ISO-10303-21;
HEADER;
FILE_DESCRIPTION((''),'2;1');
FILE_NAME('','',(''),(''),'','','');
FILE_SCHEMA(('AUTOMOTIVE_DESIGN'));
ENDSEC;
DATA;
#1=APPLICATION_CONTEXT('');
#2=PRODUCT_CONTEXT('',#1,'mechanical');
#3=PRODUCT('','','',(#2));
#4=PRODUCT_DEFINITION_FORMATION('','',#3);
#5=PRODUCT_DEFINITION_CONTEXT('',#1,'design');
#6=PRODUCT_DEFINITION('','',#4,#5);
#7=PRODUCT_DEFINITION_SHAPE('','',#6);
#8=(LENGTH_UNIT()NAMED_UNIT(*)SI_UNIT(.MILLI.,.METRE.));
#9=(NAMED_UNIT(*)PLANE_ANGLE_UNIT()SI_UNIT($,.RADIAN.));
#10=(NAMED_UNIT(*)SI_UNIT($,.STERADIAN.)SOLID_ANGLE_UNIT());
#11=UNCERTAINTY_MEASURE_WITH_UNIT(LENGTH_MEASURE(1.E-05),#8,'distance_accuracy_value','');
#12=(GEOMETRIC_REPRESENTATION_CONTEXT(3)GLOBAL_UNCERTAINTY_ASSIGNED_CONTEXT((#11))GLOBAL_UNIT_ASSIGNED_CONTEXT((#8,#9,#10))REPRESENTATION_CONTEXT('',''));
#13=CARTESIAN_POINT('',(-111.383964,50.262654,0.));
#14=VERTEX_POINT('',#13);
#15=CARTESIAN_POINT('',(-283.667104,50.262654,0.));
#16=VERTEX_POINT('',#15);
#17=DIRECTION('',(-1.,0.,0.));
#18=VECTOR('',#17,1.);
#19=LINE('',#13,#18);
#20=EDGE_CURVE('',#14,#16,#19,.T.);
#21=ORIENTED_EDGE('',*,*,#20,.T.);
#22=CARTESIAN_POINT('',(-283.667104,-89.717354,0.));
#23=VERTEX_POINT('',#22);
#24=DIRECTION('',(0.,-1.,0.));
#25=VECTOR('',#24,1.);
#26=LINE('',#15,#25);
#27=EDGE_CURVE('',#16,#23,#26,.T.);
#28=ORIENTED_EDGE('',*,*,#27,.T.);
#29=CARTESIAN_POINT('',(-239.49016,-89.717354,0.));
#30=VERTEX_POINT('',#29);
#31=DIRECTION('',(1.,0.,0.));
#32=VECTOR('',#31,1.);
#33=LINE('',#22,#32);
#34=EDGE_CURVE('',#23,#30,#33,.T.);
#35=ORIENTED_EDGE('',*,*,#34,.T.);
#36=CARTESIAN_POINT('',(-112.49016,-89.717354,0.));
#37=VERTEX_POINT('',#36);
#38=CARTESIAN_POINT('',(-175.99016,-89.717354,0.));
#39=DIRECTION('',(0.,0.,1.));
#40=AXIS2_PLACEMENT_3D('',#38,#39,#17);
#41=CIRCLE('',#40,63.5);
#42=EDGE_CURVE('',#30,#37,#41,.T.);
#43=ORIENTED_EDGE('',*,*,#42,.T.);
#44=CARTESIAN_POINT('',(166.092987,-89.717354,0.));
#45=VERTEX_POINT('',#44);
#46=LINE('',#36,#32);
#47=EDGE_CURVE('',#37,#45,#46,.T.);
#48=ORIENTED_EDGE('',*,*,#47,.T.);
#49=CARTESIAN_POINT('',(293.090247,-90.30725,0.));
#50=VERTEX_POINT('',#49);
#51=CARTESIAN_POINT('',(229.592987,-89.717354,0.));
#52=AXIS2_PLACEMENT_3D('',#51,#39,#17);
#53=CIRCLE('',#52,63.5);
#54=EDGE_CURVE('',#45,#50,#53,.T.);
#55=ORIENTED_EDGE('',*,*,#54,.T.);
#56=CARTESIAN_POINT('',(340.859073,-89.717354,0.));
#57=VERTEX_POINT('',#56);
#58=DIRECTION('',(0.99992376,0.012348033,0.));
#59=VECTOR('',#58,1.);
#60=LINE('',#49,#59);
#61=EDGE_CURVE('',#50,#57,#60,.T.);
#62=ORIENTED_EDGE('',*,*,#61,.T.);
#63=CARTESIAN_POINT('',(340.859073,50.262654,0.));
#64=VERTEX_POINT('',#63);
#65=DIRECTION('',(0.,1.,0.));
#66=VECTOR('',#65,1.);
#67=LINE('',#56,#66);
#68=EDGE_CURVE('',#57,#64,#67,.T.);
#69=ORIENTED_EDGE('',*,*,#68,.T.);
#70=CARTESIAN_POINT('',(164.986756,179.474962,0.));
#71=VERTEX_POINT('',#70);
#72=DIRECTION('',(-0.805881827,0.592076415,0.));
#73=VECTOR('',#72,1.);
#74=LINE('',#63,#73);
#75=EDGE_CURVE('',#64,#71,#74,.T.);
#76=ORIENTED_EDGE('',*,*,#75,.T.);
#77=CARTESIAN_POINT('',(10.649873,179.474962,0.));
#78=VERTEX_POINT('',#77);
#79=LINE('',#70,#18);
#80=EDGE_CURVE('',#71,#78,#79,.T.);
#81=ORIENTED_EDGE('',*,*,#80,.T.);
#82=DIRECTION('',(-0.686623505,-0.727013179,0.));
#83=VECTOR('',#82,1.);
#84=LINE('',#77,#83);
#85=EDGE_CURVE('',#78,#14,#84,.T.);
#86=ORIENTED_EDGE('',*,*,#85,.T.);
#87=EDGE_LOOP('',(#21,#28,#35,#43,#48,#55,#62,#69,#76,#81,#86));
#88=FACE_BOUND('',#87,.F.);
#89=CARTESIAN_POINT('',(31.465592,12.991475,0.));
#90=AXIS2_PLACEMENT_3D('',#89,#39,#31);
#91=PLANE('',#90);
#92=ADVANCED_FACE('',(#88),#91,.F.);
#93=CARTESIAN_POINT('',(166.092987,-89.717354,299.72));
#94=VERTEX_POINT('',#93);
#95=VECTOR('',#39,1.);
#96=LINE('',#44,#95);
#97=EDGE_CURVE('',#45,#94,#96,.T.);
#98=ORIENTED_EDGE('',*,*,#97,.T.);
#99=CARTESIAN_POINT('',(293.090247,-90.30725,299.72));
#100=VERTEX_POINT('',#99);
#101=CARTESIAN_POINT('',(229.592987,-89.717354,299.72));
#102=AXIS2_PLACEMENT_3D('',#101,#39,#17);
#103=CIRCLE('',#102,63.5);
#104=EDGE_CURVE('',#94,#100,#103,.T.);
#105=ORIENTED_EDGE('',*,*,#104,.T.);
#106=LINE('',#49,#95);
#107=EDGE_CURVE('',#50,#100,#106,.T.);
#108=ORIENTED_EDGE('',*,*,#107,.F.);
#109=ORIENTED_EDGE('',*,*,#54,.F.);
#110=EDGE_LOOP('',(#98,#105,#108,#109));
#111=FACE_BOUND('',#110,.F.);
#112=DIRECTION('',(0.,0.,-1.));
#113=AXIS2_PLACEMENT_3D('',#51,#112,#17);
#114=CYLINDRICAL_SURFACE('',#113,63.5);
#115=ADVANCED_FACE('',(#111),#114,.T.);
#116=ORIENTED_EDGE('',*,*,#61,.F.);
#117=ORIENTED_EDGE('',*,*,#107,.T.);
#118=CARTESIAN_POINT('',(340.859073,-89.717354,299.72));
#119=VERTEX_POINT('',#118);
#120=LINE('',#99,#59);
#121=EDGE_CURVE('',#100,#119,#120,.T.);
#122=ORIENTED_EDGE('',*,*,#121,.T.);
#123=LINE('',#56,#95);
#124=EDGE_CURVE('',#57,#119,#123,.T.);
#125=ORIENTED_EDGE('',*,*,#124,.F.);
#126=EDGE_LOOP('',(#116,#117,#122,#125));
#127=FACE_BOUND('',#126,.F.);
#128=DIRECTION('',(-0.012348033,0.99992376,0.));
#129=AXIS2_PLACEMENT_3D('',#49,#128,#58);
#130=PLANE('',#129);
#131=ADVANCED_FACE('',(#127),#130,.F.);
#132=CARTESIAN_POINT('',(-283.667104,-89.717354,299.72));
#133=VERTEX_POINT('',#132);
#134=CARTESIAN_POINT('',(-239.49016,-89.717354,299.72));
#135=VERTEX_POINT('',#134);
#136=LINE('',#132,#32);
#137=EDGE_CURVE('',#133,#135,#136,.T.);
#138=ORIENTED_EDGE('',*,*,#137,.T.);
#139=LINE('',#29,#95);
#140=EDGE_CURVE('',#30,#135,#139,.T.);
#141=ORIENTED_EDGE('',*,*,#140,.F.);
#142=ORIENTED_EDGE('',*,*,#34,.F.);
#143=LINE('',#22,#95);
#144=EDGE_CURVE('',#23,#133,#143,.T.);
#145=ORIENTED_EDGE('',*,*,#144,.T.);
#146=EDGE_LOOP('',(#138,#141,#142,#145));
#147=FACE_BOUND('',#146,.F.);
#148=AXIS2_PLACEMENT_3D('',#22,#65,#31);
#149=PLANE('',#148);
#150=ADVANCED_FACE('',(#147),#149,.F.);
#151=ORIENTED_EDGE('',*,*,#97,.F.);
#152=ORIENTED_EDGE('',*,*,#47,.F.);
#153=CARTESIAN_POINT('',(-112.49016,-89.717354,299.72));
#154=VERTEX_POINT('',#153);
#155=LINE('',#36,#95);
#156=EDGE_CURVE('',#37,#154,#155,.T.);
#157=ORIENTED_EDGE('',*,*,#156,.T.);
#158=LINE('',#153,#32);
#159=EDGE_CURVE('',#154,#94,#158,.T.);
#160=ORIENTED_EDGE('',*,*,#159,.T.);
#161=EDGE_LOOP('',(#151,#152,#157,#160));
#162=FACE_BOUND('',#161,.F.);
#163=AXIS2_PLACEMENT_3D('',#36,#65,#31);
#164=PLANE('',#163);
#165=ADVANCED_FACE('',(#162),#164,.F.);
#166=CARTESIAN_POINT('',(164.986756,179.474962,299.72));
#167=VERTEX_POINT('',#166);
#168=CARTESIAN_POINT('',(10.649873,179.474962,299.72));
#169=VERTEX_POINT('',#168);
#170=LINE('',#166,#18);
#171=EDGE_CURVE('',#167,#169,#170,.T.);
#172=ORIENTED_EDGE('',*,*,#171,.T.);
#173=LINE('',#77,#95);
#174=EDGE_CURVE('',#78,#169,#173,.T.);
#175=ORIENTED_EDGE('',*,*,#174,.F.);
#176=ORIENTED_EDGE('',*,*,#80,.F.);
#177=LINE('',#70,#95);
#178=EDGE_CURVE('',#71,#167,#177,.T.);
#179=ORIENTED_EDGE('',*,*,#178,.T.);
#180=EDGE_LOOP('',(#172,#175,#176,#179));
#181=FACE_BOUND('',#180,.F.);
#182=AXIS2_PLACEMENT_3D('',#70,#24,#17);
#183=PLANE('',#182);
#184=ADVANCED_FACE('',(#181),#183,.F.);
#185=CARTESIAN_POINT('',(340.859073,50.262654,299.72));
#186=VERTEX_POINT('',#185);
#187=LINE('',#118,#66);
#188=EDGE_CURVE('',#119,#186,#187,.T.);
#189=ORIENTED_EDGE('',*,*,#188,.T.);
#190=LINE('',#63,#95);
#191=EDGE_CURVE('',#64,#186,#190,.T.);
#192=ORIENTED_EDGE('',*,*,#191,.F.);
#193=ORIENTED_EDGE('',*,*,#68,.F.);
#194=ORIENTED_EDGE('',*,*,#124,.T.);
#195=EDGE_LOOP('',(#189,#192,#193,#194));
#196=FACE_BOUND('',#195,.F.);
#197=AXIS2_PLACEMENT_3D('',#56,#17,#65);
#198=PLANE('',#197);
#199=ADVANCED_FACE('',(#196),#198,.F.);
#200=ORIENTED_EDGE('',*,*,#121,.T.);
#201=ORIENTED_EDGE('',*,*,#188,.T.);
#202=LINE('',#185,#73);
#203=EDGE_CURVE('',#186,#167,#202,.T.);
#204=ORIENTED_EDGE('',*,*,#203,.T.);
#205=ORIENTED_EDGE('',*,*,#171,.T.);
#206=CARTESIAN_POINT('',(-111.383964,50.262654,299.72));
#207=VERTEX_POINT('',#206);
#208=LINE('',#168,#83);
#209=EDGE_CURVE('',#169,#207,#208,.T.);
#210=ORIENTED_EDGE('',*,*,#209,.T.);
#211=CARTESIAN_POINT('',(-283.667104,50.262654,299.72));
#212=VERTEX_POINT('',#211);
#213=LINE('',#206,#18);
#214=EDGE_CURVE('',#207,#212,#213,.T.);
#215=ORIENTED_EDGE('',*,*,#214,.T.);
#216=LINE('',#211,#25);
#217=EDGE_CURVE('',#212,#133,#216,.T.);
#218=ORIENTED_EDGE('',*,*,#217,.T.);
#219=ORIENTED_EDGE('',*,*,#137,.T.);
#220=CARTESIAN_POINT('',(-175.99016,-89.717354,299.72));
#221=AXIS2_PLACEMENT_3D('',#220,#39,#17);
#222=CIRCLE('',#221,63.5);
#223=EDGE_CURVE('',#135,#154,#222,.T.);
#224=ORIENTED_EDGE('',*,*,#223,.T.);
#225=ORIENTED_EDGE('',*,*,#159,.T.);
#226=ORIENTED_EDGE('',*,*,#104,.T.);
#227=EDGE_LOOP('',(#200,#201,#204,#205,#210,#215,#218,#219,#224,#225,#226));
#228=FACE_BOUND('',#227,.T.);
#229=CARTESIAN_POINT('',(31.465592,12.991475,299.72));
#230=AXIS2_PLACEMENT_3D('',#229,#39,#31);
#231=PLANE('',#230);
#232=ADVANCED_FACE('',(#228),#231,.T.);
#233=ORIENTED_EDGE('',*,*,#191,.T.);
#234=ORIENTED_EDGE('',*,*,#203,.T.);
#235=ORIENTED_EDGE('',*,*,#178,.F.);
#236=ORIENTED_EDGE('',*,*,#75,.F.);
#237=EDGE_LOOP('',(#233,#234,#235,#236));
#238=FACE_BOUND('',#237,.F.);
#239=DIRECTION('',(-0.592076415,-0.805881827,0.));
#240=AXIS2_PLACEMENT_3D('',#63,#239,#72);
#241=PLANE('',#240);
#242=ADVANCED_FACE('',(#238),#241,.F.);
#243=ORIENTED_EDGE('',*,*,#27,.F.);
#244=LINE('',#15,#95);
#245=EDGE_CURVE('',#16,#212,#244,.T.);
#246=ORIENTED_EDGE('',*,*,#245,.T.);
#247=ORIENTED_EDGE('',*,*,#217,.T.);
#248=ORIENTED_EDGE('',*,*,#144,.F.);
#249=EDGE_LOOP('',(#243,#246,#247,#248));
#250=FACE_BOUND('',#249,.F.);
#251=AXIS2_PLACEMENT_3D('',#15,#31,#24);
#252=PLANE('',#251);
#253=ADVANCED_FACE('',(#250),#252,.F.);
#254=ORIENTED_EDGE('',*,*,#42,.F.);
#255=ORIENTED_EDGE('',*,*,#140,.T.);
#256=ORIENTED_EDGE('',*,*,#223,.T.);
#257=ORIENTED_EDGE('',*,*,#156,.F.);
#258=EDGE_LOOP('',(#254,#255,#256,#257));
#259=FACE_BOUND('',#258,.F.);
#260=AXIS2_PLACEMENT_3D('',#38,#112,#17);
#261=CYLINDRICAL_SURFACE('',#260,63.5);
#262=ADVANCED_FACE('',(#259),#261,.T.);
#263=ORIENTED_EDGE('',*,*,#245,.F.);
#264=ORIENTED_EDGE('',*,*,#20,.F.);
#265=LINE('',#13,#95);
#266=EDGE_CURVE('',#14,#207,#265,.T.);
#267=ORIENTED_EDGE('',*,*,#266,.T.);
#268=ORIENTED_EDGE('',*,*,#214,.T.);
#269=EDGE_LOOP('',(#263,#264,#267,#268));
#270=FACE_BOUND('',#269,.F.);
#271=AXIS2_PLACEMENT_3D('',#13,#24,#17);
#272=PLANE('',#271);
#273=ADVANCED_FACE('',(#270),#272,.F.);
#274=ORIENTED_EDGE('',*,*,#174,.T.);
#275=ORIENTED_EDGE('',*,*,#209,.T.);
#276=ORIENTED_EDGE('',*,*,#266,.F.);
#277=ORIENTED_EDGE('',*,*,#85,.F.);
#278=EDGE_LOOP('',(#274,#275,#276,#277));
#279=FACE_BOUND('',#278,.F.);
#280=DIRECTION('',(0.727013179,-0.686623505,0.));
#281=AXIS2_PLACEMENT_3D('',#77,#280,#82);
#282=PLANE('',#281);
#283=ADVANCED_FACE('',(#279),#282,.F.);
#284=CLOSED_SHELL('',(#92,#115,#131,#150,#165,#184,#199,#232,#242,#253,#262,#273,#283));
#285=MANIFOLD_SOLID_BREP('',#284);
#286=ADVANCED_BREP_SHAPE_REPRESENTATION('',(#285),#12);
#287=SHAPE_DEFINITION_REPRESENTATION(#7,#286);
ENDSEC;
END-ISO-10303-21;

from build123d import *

# Parameters (mm, degrees)
F1_DEPTH = 299.72


with BuildPart() as f1:
    # F0 (on Top) → F1 (new body)
    with BuildSketch(Plane.XY):
        with BuildLine():
            Line((-111.383964, 50.262654), (-283.667104, 50.262654))
            Line((-283.667104, 50.262654), (-283.667104, -89.717354))
            Line((-283.667104, -89.717354), (-239.49016, -89.717354))
            ThreePointArc((-239.49016, -89.717354), (-175.99016, -26.217354), (-112.49016, -89.717354))
            Line((-112.49016, -89.717354), (166.092987, -89.717354))
            ThreePointArc((166.092987, -89.717354), (229.592987, -26.217354), (293.092987, -89.717354))
            ThreePointArc((293.092987, -89.717354), (293.092302, -90.012305), (293.090247, -90.30725))
            Line((293.090247, -90.30725), (340.859073, -89.717354))
            Line((340.859073, -89.717354), (340.859073, 50.262654))
            Line((340.859073, 50.262654), (164.986756, 179.474962))
            Line((164.986756, 179.474962), (10.649873, 179.474962))
            Line((10.649873, 179.474962), (-111.383964, 50.262654))
        make_face()
        with BuildLine():
            ThreePointArc((-112.49016, -89.717354), (-175.99016, -26.217354), (-239.49016, -89.717354))
            ThreePointArc((-239.49016, -89.717354), (-175.99016, -153.217354), (-112.49016, -89.717354))
        make_face()
        with BuildLine():
            ThreePointArc((293.092987, -89.717354), (229.592987, -26.217354), (166.092987, -89.717354))
            ThreePointArc((166.092987, -89.717354), (229.298036, -153.216669), (293.090247, -90.30725))
            ThreePointArc((293.090247, -90.30725), (293.092302, -90.012305), (293.092987, -89.717354))
        make_face()
    extrude(amount=F1_DEPTH)


solid = f1.part
